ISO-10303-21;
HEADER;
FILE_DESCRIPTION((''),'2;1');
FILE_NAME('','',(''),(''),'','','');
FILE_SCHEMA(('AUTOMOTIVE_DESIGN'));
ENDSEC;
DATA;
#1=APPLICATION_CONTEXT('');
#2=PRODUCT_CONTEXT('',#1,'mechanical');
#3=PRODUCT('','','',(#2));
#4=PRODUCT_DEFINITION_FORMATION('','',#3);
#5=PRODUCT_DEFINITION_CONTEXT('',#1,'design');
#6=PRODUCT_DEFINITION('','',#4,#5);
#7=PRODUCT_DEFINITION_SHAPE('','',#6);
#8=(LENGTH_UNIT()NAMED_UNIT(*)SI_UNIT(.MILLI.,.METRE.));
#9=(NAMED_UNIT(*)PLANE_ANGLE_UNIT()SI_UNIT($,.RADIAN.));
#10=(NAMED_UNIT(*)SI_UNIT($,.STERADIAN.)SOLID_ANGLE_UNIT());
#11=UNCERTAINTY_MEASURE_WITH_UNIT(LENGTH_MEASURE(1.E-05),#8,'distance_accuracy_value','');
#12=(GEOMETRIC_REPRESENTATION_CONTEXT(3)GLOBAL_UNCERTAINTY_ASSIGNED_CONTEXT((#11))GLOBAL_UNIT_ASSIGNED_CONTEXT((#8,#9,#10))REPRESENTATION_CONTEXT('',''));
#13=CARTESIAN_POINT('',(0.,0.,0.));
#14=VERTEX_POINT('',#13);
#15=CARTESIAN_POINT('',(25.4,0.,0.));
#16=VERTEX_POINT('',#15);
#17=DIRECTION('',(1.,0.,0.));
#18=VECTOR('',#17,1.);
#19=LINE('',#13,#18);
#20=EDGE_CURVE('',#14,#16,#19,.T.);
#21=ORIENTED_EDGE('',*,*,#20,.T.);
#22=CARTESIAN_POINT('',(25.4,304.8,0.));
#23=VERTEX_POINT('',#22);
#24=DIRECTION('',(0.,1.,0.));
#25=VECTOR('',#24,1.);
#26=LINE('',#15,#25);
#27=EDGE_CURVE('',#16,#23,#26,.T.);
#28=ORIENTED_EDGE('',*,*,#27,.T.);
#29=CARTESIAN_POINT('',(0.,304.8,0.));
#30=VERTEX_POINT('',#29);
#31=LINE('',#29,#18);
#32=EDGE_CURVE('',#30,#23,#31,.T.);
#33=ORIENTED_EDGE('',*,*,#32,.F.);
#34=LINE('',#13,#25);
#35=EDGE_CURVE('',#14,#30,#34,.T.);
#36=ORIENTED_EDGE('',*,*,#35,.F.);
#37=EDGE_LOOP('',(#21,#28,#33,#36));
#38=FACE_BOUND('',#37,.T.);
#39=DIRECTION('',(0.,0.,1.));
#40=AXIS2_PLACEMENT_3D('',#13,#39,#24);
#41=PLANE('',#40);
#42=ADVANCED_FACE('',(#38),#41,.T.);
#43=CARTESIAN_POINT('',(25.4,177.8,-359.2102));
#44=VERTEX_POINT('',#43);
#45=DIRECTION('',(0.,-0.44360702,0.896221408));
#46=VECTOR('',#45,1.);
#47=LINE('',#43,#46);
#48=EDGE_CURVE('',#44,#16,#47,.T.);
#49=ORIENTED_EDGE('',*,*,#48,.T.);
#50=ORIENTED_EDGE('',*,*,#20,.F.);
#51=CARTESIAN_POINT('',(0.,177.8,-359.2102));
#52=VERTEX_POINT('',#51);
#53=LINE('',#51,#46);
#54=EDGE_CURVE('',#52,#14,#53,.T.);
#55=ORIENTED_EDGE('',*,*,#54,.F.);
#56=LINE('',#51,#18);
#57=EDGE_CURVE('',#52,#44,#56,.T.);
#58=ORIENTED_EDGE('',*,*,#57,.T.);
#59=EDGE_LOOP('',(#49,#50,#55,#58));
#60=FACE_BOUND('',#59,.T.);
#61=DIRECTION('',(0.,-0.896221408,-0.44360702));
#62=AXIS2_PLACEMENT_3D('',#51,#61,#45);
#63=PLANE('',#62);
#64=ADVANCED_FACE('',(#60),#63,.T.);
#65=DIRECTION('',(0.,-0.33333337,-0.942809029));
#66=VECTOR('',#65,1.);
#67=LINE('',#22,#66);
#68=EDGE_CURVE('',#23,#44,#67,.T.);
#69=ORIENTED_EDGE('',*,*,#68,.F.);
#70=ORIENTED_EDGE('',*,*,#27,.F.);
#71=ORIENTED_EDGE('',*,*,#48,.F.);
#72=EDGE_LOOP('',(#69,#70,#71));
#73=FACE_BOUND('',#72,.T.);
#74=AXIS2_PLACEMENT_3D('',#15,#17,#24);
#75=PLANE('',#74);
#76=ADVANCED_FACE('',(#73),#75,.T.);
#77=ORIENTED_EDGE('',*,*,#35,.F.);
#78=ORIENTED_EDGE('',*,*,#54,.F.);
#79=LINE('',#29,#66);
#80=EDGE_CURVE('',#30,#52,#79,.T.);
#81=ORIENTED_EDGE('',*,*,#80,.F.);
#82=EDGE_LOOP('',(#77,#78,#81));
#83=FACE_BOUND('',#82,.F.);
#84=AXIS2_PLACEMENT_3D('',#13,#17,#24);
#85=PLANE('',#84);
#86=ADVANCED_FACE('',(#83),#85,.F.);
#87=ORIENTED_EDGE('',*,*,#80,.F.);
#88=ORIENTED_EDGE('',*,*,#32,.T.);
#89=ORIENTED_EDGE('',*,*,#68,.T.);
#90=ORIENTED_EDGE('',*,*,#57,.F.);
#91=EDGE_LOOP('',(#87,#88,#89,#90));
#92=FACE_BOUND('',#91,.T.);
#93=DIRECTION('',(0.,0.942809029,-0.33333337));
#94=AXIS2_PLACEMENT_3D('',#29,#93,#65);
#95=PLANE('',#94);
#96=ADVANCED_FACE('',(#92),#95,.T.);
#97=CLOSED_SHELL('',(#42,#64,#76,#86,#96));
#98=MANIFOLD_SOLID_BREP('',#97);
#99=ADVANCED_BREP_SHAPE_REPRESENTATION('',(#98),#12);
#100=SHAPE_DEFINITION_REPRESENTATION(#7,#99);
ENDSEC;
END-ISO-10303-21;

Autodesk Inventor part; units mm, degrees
ref_plane "YZ Plane" through (0, 0, 0) normal (1, 0, 0) x (0, 1, 0)
ref_plane "XZ Plane" through (0, 0, 0) normal (0, 1, 0) x (-1, 0, 0)
ref_plane "XY Plane" through (0, 0, 0) normal (0, 0, 1) x (1, 0, 0)
sketch "Sketch2" plane through (0, 0, 0) normal (1, 0, 0) x (0, 1, 0)
  line L0 (0, 0) -> (304.8, 0)
  line L1 (304.8, 0) -> (177.8, -359.2102)
  line L2 (177.8, -359.2102) -> (0, 0)
  dimension "d1" = 304.8
  dimension "d2" = 381
extrude "Extrusion1" add sketch "Sketch2" along normal blind 25.4
properties part number "HPSFlagGreen-ver1-1111-2021"
